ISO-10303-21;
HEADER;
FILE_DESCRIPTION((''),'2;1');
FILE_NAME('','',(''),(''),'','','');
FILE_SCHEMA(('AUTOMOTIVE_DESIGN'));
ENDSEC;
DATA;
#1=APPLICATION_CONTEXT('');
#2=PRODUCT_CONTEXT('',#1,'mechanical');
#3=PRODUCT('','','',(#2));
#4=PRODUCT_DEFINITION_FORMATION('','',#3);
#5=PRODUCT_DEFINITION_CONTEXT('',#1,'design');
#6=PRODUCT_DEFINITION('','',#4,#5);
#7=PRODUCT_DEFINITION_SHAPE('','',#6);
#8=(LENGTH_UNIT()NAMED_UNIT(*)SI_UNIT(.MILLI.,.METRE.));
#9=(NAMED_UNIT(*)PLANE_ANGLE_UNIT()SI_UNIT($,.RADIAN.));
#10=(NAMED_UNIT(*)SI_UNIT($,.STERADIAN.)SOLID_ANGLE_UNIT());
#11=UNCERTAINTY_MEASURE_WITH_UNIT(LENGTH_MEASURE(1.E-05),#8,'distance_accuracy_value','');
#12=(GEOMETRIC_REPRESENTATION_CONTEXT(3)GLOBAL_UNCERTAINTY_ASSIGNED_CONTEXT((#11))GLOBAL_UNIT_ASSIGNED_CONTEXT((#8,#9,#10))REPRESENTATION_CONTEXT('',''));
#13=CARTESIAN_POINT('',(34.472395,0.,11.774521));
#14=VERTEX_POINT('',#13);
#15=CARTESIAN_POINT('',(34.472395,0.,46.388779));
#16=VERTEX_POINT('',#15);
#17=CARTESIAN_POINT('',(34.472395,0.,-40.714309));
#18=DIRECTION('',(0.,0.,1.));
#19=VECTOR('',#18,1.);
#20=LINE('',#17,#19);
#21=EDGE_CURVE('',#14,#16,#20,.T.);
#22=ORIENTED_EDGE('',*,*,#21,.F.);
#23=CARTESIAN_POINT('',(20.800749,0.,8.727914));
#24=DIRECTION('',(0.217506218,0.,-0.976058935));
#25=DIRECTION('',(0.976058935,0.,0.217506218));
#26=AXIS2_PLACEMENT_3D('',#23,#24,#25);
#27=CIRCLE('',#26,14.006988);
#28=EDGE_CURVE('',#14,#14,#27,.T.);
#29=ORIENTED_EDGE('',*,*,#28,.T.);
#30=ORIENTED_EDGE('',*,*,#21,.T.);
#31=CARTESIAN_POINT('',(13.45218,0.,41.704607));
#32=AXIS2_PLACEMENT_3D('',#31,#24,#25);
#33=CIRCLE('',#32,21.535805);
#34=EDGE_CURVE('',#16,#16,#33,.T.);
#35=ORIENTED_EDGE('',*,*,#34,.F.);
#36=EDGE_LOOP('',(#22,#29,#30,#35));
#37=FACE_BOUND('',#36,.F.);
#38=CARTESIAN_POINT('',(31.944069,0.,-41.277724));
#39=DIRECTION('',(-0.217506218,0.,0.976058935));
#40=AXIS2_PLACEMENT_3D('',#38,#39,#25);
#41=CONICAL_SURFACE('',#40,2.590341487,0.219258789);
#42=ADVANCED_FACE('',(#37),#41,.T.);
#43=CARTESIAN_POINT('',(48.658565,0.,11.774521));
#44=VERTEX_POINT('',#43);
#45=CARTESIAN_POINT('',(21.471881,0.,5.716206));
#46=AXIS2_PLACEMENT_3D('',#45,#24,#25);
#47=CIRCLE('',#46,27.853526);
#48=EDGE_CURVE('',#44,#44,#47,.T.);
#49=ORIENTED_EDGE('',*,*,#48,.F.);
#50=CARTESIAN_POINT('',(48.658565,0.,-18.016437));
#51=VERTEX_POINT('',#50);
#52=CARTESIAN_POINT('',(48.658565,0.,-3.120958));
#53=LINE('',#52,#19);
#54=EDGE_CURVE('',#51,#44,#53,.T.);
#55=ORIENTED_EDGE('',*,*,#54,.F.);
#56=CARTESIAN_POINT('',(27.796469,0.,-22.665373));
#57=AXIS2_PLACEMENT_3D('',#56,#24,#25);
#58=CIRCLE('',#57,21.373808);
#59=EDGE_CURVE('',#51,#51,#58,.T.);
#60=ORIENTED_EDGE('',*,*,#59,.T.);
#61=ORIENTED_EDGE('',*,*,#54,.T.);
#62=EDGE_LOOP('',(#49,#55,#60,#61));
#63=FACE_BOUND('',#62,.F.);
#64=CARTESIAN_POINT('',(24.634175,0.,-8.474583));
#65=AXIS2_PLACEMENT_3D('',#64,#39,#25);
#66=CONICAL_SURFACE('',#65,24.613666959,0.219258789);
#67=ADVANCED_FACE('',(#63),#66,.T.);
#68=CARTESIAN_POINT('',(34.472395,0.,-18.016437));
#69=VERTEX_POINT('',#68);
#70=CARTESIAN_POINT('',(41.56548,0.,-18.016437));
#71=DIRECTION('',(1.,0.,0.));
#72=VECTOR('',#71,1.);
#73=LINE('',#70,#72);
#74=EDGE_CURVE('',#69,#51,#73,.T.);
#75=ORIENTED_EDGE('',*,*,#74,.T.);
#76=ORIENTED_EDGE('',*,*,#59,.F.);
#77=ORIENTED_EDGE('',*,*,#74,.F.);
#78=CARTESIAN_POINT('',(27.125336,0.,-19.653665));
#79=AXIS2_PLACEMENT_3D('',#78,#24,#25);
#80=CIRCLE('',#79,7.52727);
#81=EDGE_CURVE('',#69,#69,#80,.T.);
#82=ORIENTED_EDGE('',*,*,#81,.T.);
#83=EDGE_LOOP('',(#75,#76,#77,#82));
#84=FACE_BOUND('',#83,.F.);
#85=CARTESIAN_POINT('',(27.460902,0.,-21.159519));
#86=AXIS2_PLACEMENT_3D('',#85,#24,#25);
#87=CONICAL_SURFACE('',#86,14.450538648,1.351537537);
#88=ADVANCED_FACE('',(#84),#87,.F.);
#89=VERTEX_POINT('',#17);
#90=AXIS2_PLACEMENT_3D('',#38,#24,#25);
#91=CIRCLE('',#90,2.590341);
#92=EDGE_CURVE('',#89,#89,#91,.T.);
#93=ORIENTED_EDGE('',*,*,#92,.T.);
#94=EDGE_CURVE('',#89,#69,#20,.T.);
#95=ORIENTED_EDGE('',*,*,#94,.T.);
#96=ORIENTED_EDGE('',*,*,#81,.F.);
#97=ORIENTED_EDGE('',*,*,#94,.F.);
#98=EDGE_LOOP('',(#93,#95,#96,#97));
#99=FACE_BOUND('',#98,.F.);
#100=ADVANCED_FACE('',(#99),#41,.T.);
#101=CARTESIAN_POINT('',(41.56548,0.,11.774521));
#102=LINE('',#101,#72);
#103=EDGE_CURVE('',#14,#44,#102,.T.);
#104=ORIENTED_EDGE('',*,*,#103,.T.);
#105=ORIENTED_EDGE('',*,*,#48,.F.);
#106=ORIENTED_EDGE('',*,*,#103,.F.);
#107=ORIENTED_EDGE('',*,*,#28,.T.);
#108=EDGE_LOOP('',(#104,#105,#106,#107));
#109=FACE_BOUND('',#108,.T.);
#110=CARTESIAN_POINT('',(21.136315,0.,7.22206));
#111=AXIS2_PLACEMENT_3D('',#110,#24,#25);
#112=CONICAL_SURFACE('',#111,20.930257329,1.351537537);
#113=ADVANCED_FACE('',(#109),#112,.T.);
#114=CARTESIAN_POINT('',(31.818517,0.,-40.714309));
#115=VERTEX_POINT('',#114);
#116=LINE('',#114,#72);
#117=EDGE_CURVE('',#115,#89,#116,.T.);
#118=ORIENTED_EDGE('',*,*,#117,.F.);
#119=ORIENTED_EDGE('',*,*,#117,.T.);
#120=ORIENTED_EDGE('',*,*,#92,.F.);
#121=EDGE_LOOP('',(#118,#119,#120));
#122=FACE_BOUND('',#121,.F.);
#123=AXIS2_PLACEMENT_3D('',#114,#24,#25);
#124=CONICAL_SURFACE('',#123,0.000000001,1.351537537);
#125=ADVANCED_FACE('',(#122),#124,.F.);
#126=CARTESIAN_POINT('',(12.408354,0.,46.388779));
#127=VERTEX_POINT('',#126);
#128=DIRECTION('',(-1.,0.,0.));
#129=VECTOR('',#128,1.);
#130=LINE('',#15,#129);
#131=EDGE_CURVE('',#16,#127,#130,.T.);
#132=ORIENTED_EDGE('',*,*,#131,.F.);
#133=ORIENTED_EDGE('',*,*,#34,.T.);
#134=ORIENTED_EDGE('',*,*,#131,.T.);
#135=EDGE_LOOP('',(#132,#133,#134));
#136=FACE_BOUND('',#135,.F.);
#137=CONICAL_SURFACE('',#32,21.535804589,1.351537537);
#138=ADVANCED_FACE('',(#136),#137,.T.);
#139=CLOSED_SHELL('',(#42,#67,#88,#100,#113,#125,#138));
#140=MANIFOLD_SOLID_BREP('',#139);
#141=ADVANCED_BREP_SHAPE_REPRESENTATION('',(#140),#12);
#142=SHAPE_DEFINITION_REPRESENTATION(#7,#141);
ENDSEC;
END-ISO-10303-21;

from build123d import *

# Parameters (mm, degrees)
F0_W = 14.1861699522
F0_H = 29.7909583896


with BuildPart() as f1:
    # F0 (on Front) → F1 (revolve)
    with BuildSketch(Plane.XZ):
        Polygon((34.4723947346, 46.3887788355), (12.4083535094, 46.3887788355), (31.8185165775, -40.7143086195), (34.4723947346, -40.7143086195), (34.4723947346, -18.0164370686), (34.4723947346, 11.7745213211), align=None)
        with Locations((41.5654797107, -3.1209578738)):
            Rectangle(F0_W, F0_H)
    revolve(axis=Axis((22.5560124964, 0, 0.8511692286), (0.2175062177, 0, -0.9760589354)))


solid = f1.part
